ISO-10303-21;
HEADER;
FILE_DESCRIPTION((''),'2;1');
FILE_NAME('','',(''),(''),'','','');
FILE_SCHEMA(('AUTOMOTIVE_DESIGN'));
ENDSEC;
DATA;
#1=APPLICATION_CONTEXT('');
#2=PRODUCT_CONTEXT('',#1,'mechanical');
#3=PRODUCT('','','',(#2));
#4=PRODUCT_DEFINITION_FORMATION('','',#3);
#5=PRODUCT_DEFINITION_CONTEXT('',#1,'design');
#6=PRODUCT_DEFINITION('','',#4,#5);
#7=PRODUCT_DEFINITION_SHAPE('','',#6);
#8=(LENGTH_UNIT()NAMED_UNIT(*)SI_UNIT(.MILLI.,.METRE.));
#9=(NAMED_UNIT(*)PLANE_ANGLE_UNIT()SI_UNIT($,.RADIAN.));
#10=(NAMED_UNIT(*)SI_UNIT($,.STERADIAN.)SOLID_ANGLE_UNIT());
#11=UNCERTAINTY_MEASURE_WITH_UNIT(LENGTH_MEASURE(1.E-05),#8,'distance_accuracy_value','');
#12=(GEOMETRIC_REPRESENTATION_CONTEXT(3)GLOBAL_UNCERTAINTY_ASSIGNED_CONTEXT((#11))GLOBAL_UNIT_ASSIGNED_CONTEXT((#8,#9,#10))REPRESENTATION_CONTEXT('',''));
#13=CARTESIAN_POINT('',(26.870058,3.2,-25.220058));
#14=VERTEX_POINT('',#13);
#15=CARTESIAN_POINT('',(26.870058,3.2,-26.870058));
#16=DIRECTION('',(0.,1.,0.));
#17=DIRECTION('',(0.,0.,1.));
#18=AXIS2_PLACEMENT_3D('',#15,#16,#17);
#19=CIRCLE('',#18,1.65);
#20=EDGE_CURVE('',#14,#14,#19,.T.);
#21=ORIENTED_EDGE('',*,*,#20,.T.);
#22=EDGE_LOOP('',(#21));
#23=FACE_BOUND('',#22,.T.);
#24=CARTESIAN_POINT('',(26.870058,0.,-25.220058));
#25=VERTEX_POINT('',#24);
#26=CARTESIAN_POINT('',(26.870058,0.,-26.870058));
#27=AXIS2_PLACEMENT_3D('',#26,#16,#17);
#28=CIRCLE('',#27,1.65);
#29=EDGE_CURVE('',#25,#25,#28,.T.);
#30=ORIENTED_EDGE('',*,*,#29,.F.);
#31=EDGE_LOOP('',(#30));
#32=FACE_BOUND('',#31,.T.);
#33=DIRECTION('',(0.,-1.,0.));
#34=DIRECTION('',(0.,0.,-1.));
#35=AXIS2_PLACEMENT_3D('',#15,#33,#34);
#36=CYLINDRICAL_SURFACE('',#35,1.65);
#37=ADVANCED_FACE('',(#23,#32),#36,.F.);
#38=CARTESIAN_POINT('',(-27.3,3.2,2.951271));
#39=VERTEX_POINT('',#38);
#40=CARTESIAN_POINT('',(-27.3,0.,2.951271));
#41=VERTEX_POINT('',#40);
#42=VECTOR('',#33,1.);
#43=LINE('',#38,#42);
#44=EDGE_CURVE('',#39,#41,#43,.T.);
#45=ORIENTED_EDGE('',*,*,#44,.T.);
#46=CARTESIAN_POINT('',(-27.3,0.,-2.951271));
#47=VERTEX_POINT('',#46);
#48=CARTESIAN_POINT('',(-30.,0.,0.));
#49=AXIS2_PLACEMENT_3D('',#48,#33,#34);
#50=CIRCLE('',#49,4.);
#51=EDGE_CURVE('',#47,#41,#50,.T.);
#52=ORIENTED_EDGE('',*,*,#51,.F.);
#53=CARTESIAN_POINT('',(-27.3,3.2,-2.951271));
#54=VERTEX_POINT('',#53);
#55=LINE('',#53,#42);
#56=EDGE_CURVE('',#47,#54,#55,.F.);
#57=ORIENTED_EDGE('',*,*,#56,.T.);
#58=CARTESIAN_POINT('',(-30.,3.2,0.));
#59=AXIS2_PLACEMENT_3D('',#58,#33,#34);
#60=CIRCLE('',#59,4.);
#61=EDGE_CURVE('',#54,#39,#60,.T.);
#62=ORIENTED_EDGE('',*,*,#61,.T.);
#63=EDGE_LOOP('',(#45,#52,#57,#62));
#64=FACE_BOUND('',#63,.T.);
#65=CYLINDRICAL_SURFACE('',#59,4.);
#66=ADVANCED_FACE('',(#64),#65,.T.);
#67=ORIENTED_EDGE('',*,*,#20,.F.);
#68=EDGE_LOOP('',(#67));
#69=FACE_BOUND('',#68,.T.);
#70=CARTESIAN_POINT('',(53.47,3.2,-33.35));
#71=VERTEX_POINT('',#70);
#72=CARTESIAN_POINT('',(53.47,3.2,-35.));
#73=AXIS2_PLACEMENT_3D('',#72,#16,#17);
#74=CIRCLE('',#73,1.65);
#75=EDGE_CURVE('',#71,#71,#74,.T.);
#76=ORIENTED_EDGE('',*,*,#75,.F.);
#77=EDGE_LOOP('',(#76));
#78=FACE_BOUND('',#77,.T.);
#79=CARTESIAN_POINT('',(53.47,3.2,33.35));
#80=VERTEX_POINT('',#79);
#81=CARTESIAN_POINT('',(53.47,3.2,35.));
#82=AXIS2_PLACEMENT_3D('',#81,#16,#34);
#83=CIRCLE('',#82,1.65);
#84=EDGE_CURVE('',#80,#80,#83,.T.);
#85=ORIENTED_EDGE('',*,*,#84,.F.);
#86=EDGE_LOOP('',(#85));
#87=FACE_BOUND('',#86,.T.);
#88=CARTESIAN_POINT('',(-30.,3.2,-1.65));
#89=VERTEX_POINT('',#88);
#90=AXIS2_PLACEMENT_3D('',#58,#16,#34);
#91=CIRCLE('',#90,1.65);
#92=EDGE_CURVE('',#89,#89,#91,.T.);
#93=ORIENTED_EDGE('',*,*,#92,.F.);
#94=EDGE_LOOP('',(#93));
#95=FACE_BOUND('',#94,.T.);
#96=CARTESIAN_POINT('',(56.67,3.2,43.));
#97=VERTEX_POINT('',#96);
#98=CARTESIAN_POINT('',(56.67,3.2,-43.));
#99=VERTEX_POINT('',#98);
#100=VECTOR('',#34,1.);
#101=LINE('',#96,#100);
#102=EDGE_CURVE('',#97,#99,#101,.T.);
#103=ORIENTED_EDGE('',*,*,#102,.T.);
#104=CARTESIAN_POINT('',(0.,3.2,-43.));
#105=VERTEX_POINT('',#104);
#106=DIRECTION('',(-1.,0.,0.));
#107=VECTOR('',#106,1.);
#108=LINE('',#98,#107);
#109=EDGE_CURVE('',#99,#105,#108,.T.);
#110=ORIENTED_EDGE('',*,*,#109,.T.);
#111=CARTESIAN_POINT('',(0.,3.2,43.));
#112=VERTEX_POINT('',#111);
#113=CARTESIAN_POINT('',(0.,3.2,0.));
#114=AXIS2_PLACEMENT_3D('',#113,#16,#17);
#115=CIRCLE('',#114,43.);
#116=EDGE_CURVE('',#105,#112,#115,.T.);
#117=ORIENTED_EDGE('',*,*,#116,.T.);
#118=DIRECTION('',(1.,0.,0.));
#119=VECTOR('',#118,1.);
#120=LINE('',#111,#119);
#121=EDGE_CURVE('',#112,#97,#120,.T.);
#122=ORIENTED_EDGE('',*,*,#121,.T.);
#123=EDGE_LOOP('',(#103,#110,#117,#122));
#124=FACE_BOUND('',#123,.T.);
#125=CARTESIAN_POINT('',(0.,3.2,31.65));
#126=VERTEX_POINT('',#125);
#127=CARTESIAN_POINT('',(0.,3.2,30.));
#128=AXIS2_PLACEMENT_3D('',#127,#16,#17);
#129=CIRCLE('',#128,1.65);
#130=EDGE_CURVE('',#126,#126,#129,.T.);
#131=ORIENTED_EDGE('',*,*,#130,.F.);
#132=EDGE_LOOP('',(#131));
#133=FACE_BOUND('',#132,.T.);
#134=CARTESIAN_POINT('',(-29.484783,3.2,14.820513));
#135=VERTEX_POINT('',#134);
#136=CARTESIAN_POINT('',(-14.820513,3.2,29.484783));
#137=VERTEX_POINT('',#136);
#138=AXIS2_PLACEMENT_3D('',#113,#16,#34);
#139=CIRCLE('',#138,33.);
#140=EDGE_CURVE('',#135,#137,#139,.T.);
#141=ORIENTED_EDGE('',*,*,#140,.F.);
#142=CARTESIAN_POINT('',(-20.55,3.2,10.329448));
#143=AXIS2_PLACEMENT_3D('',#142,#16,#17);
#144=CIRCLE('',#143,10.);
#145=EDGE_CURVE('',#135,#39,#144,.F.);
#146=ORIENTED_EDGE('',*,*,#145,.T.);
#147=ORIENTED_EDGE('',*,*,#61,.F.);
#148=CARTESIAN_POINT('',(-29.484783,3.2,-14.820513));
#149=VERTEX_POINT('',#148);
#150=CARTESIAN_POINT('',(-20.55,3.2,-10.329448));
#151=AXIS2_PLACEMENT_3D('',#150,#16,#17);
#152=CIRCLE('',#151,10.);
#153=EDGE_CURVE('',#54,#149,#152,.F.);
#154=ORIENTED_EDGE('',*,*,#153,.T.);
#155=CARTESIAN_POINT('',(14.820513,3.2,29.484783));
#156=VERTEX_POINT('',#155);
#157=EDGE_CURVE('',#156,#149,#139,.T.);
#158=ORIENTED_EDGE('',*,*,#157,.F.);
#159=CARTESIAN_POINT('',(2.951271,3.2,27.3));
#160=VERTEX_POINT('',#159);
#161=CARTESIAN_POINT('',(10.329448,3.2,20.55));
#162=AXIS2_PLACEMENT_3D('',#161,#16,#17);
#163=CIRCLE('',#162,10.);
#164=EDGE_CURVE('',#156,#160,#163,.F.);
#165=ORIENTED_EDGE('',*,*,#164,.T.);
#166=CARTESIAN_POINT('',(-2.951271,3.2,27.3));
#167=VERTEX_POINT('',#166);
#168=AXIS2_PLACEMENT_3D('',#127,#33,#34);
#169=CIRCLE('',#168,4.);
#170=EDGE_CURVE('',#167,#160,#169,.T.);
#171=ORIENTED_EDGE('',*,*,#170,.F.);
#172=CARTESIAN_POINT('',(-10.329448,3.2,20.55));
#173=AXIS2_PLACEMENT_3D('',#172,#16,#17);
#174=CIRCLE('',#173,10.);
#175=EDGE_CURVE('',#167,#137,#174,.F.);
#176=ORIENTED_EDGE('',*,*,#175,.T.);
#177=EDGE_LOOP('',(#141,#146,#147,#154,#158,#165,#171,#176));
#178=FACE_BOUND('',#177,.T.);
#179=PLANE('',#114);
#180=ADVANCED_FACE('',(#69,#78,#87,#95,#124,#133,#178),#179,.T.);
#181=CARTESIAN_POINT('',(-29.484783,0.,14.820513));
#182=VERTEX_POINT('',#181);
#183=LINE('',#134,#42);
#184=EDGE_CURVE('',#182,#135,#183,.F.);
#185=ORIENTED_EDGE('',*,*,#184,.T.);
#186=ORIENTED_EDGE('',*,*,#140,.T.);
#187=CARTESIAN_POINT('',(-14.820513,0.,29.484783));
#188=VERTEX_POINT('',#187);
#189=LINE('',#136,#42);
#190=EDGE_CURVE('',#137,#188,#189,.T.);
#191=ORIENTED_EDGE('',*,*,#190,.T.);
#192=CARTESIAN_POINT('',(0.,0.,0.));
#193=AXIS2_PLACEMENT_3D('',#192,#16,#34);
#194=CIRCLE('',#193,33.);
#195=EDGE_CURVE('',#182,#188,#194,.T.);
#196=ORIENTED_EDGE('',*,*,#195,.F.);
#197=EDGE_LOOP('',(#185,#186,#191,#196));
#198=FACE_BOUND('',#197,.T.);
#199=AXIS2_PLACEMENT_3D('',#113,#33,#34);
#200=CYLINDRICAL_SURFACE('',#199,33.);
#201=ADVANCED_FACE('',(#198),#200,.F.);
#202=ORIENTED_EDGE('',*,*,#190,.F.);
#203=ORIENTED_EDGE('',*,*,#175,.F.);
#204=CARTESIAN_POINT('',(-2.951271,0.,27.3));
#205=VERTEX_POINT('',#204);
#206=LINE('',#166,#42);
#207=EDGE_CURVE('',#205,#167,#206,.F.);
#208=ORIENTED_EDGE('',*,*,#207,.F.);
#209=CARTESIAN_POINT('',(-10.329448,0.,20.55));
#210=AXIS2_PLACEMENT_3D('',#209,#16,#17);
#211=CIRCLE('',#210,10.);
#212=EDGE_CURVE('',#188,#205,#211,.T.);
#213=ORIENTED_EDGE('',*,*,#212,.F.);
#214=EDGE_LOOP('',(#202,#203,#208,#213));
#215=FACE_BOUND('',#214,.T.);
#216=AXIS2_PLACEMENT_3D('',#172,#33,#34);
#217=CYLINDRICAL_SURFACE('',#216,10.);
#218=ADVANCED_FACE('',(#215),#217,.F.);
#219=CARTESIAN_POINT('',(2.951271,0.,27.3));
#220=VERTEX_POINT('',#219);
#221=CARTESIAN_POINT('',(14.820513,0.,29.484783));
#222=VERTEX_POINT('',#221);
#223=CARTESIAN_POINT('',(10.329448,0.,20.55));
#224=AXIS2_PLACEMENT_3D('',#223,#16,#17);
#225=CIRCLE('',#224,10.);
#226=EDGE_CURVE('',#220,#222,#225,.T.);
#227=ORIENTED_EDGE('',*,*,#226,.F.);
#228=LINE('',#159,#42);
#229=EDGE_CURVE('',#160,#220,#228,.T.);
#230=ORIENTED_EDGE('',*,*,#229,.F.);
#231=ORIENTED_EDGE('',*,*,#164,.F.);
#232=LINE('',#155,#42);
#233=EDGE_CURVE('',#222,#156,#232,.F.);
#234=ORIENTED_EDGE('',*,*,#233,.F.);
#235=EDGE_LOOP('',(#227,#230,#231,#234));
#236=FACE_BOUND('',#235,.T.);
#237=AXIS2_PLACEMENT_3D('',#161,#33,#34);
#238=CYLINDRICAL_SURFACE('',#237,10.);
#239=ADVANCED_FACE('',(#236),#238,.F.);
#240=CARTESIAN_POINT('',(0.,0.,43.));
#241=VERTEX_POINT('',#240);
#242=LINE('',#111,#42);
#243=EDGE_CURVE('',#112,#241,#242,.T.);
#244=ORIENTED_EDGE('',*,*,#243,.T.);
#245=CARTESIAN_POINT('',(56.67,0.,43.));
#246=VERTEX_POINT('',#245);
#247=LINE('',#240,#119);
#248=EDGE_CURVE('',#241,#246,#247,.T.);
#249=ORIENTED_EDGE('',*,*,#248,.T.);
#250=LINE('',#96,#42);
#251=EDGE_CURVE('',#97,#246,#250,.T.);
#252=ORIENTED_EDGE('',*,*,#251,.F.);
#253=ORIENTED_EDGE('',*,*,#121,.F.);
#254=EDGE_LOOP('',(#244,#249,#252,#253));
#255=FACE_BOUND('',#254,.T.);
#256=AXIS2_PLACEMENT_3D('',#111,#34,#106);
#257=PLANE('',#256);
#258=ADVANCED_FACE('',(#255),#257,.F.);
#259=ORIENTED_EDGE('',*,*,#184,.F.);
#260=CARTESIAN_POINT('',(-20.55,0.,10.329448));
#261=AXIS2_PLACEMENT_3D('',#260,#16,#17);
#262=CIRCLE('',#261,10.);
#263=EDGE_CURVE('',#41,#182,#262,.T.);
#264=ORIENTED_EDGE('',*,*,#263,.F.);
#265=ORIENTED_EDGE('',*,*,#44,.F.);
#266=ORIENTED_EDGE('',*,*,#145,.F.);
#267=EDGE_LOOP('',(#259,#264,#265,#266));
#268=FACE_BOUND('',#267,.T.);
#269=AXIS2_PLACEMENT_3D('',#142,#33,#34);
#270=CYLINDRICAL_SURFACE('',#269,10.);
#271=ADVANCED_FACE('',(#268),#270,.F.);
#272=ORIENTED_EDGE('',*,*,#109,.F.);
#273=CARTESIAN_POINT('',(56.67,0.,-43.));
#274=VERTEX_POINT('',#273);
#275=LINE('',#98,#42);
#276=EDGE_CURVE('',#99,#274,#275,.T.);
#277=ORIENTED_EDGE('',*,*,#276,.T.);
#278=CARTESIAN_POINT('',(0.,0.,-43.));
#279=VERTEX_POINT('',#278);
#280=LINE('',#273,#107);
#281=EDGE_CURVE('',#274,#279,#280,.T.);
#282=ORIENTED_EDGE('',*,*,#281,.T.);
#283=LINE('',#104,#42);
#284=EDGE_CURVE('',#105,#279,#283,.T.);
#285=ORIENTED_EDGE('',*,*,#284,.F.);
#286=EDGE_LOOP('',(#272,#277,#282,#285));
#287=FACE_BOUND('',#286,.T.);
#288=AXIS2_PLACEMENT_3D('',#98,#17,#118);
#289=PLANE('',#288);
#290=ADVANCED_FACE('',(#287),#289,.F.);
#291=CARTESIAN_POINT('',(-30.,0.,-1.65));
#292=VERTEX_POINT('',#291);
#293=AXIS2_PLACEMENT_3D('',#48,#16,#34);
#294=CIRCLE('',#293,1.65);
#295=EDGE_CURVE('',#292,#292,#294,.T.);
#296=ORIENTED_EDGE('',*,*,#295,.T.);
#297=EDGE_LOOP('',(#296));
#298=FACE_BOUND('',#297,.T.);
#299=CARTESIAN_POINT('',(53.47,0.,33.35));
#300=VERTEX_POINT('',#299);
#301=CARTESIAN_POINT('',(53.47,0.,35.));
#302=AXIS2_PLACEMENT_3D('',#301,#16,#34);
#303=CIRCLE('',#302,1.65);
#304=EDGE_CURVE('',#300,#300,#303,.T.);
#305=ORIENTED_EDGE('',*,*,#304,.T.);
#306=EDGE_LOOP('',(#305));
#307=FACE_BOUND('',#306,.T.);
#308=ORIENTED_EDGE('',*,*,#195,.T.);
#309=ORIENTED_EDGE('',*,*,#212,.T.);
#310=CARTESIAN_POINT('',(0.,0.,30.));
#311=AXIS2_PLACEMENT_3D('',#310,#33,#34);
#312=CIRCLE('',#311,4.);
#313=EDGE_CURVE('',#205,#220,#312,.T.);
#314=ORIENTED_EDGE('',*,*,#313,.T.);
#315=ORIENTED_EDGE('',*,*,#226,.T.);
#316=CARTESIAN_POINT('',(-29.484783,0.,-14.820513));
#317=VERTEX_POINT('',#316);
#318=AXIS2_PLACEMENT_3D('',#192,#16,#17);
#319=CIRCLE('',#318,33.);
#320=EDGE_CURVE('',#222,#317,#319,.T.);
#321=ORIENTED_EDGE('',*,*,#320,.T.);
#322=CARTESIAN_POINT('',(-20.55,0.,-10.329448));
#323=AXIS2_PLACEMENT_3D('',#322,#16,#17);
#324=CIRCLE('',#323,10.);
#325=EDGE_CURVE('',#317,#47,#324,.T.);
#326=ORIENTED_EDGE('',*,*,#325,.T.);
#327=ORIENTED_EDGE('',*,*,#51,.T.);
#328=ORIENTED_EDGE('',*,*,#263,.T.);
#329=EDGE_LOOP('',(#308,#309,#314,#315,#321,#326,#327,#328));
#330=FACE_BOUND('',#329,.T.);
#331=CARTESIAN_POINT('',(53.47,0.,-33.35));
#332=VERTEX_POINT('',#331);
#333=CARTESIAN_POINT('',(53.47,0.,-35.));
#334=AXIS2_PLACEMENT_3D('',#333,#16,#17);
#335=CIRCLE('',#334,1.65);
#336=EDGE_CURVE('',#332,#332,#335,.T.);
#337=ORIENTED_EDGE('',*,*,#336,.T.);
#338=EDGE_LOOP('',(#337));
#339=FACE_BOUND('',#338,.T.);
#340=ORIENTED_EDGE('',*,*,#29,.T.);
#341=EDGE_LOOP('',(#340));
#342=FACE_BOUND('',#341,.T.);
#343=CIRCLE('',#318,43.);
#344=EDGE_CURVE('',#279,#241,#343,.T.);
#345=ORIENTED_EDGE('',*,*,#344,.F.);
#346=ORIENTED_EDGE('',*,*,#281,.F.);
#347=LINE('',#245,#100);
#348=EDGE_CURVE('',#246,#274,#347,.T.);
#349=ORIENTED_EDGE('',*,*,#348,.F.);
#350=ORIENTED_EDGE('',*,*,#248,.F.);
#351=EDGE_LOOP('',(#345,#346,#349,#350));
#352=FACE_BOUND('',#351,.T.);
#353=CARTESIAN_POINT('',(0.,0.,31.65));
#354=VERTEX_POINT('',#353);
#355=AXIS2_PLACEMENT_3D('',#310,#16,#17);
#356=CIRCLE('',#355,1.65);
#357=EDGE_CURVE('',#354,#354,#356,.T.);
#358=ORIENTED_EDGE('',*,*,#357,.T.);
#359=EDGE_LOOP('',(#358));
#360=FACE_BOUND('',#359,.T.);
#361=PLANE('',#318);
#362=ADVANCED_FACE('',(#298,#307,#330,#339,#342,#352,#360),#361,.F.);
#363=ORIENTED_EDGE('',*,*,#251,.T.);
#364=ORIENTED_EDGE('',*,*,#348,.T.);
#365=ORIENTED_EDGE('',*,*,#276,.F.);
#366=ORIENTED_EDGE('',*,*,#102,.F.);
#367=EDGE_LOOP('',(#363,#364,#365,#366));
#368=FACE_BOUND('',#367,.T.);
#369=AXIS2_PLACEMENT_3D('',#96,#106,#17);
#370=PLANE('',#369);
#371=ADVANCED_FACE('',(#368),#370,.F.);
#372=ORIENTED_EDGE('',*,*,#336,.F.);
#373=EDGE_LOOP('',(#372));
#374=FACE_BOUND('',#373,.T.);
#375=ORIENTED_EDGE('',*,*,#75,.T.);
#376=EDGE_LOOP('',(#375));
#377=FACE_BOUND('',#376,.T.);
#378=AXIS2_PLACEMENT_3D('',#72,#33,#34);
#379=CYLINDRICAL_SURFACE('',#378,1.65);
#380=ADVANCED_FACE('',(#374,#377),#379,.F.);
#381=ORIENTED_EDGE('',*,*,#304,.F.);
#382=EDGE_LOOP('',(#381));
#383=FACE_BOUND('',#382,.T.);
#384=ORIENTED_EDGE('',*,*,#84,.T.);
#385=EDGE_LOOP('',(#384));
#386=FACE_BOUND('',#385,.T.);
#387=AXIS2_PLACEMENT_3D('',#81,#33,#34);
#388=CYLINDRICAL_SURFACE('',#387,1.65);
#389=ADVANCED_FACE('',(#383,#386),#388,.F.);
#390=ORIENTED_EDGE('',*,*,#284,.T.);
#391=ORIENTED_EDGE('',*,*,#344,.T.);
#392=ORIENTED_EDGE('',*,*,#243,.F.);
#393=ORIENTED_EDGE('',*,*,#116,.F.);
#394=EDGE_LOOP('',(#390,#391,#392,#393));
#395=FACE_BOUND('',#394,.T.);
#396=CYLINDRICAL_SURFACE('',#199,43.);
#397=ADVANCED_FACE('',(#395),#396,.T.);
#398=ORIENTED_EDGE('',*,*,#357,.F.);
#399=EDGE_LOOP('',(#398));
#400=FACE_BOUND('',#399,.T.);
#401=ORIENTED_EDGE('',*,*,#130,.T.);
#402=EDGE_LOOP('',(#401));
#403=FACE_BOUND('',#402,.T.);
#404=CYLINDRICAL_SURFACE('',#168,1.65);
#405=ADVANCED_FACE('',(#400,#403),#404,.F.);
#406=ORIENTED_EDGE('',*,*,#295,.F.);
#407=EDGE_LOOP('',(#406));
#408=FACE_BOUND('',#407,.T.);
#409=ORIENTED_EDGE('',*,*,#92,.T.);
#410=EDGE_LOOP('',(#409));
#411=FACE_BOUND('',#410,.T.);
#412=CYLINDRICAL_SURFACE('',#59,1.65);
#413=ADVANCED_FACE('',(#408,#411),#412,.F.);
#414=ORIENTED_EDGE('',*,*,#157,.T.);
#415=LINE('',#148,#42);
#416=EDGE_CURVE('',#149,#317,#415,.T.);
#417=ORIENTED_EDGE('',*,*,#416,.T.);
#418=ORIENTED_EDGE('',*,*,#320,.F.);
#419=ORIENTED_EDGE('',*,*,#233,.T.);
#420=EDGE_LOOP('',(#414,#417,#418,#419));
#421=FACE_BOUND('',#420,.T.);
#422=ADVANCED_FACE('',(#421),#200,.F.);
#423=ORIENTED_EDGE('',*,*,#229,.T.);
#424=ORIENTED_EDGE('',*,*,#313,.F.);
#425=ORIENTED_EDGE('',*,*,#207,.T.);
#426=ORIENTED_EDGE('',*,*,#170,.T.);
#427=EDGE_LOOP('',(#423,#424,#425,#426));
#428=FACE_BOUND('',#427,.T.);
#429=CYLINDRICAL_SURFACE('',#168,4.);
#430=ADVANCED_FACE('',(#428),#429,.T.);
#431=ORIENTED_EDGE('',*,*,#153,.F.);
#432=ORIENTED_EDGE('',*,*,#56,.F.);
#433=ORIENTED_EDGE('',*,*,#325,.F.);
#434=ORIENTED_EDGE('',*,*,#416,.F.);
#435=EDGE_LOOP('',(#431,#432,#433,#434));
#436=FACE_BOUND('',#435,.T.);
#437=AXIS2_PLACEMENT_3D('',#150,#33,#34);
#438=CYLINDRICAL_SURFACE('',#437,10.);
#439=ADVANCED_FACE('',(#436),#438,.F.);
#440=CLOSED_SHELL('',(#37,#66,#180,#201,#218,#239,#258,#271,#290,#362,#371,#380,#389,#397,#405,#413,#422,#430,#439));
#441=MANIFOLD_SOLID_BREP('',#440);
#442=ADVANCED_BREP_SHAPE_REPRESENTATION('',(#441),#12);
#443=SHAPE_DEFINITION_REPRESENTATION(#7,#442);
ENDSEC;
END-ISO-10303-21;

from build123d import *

# Parameters (mm, degrees)
SKETCH1_R           = 1.65
BOSS_EXTRUDE1_DEPTH = 3.2
FILLET1_R           = 10


with BuildPart() as part:
    # Sketch1 → Boss-Extrude1 (new body)
    with BuildSketch(Plane(origin=(0, 0, 0), x_dir=(1, 0, 0), z_dir=(0, 1, 0))):
        with BuildLine():
            Line((0, -43), (56.67, -43))
            Line((56.67, -43), (56.67, 43))
            Line((56.67, 43), (0, 43))
            ThreePointArc((0, 43), (-43, 0), (0, -43))
        make_face()
        with Locations(Location((26.870057685, 26.870057685, 0), (0, 0, 270))):
            Circle(SKETCH1_R, mode=Mode.SUBTRACT)
        with Locations(Location((0, -30, 0), (0, 0, 270))):
            Circle(SKETCH1_R, mode=Mode.SUBTRACT)
        with Locations(Location((53.47, 35, 0), (0, 0, 270))):
            Circle(SKETCH1_R, mode=Mode.SUBTRACT)
        with Locations(Location((53.47, -35, 0), (0, 0, 90))):
            Circle(SKETCH1_R, mode=Mode.SUBTRACT)
        with Locations(Location((-30, 0, 0), (0, 0, 90))):
            Circle(SKETCH1_R, mode=Mode.SUBTRACT)
        with BuildLine():
            Line((-4, -32.756678708), (-4, -30))
            ThreePointArc((-4, -30), (0, -26), (4, -30))
            Line((4, -30), (4, -32.756678708))
            ThreePointArc((4, -32.756678708), (23.334523779, -23.334523779), (32.756678708, -4))
            ThreePointArc((32.756678708, -4), (33, 0), (32.756678708, 4))
            ThreePointArc((32.756678708, 4), (0, 33), (-32.756678708, 4))
            Line((-32.756678708, 4), (-30, 4))
            ThreePointArc((-30, 4), (-26, 0), (-30, -4))
            Line((-30, -4), (-32.756678708, -4))
            ThreePointArc((-32.756678708, -4), (-23.334523779, -23.334523779), (-4, -32.756678708))
        make_face(mode=Mode.SUBTRACT)
    extrude(amount=BOSS_EXTRUDE1_DEPTH)

    # Fillet1
    fillet1_edges = [part.edges().sort_by_distance(p)[0] for p in [
        (4, 1.6, 32.756678708),
        (-32.756678708, 1.6, -4),
        (-32.756678708, 1.6, 4),
        (-4, 1.6, 32.756678708),
    ]]
    fillet(fillet1_edges, radius=FILLET1_R)


solid = part.part
